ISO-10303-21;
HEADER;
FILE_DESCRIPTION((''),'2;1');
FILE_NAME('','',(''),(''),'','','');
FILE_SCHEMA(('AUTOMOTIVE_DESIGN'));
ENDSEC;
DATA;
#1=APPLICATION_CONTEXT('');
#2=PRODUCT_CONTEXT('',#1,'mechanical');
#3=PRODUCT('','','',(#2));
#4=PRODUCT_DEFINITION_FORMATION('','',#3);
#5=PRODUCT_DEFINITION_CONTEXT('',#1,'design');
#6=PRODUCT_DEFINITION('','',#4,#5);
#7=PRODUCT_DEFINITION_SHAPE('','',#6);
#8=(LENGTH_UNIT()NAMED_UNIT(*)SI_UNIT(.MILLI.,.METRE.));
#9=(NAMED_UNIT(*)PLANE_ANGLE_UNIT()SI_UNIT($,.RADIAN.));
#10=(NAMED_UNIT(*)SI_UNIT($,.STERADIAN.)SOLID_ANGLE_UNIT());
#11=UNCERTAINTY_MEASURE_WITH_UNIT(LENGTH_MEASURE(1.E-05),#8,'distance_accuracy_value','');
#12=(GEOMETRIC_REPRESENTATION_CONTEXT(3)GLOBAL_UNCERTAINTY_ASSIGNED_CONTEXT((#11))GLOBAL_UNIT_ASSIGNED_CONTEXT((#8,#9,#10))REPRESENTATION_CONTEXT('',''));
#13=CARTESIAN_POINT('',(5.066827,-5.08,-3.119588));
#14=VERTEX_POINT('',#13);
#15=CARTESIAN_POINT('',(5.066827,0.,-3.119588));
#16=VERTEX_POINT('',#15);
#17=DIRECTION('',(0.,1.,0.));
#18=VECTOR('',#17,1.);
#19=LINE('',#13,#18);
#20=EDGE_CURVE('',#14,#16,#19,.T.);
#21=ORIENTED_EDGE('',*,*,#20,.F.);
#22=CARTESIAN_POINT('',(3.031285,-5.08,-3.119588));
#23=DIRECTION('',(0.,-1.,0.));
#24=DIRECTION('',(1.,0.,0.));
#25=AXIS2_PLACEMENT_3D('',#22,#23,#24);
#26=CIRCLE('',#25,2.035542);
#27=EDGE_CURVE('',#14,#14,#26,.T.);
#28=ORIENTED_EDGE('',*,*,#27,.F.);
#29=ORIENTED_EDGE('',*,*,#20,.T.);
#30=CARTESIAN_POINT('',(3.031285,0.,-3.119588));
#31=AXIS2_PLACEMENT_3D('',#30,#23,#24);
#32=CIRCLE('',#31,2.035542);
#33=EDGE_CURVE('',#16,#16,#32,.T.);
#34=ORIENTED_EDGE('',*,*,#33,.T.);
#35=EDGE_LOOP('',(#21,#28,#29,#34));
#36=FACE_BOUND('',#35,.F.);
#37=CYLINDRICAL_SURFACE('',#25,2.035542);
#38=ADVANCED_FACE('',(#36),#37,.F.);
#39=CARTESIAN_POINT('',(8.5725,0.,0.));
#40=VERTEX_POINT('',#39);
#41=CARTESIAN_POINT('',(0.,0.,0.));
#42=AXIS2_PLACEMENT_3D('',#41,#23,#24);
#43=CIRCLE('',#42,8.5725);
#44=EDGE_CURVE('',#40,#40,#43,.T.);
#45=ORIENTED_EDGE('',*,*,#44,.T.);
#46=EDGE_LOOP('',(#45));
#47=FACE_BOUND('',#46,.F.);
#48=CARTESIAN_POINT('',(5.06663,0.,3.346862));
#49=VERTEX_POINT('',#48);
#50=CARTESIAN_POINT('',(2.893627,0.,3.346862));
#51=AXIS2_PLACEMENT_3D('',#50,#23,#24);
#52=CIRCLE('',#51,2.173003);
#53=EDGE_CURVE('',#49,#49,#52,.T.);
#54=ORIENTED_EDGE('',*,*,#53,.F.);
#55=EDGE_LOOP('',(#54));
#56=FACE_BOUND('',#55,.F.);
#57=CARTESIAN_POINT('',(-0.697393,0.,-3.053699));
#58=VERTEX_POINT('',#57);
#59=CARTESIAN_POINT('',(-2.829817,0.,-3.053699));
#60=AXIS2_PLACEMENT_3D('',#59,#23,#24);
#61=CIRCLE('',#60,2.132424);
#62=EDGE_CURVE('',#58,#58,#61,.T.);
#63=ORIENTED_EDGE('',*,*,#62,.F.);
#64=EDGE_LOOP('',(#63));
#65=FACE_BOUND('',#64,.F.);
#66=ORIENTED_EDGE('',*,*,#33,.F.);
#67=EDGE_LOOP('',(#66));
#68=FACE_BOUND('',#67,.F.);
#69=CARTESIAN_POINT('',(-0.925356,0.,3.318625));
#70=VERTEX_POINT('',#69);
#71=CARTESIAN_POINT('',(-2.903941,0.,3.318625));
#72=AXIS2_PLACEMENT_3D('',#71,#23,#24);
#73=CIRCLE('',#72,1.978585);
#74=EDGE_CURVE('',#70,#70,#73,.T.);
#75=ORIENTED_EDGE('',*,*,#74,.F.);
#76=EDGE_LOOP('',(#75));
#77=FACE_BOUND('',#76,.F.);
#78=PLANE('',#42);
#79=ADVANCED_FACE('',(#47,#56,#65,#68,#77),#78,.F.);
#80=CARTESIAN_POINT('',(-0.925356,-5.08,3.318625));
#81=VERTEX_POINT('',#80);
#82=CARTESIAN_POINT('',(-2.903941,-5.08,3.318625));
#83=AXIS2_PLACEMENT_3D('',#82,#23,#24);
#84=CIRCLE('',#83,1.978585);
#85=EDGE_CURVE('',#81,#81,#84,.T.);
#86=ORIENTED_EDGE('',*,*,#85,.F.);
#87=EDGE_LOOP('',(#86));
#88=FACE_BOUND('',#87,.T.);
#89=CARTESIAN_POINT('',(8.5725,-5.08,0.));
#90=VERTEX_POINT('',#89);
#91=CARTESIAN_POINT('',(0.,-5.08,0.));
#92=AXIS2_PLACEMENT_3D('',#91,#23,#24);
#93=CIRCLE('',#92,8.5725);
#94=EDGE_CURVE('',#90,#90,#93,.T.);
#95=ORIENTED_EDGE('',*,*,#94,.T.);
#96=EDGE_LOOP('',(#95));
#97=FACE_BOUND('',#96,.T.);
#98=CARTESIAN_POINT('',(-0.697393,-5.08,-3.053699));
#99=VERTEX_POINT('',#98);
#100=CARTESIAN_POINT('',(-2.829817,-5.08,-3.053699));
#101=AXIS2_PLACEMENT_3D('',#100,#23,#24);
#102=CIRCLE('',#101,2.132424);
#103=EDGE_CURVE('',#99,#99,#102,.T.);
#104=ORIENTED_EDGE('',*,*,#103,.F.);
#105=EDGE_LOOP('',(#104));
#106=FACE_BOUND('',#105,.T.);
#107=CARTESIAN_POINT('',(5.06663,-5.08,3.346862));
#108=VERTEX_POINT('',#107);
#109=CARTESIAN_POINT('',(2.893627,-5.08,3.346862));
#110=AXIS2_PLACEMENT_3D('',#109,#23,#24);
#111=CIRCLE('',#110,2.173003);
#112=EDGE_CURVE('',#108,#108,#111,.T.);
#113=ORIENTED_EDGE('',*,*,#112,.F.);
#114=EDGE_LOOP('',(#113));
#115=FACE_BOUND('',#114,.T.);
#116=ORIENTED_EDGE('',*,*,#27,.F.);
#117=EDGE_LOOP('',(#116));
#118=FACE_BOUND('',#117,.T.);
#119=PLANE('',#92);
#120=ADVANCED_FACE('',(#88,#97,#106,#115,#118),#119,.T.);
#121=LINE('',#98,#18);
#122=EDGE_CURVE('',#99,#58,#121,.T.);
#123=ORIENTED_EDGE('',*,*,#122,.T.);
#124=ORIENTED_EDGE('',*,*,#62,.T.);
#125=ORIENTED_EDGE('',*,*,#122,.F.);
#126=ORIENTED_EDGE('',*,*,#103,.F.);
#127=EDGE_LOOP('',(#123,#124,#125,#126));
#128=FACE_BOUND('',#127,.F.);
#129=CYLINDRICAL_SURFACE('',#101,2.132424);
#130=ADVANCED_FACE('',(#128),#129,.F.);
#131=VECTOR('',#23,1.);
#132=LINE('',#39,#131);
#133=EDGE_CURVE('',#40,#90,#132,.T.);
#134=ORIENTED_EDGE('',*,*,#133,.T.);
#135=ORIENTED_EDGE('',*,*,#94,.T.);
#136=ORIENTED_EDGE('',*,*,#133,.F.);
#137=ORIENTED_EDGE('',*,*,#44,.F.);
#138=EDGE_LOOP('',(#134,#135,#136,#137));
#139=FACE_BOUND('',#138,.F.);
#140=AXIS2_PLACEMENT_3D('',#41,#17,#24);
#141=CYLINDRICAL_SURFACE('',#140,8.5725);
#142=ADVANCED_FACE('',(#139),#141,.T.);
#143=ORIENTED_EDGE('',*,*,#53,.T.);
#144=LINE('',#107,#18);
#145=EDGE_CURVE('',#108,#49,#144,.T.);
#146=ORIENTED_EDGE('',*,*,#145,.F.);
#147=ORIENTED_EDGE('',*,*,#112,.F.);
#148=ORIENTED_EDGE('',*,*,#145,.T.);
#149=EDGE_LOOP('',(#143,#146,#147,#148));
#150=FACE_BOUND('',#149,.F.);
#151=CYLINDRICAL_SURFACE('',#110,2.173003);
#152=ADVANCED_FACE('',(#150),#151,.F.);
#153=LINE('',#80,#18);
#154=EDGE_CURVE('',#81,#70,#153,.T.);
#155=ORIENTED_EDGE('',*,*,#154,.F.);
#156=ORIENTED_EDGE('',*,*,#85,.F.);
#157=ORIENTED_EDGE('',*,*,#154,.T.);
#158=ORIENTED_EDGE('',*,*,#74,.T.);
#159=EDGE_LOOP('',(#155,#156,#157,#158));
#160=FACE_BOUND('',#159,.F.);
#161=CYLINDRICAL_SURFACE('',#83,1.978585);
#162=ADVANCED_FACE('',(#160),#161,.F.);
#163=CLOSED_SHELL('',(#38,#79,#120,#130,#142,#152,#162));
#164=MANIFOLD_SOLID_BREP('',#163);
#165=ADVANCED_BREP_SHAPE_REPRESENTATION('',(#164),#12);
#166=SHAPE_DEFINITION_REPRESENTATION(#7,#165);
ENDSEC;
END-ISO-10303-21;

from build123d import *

# Parameters (mm, degrees)
F0_R     = 8.5725
F1_DEPTH = 5.08
F2_R     = 1.978585
F2_R_2   = 2.173003
F2_R_3   = 2.035542
F2_R_4   = 2.132424
F3_DEPTH = 25.4


with BuildPart() as f1:
    # F0 (on Front) → F1 (new body)
    with BuildSketch(Plane.XZ):
        Circle(F0_R)
    extrude(amount=F1_DEPTH)

    # F2 (on face) → F3 (cut)
    with BuildSketch(Plane.XZ.offset(5.08)):
        with Locations((-2.903941, 3.318625)):
            Circle(F2_R)
        with Locations((2.893627, 3.346862)):
            Circle(F2_R_2)
        with Locations((3.031285, -3.119588)):
            Circle(F2_R_3)
        with Locations((-2.829817, -3.053699)):
            Circle(F2_R_4)
    extrude(amount=-F3_DEPTH, mode=Mode.SUBTRACT)


solid = f1.part
